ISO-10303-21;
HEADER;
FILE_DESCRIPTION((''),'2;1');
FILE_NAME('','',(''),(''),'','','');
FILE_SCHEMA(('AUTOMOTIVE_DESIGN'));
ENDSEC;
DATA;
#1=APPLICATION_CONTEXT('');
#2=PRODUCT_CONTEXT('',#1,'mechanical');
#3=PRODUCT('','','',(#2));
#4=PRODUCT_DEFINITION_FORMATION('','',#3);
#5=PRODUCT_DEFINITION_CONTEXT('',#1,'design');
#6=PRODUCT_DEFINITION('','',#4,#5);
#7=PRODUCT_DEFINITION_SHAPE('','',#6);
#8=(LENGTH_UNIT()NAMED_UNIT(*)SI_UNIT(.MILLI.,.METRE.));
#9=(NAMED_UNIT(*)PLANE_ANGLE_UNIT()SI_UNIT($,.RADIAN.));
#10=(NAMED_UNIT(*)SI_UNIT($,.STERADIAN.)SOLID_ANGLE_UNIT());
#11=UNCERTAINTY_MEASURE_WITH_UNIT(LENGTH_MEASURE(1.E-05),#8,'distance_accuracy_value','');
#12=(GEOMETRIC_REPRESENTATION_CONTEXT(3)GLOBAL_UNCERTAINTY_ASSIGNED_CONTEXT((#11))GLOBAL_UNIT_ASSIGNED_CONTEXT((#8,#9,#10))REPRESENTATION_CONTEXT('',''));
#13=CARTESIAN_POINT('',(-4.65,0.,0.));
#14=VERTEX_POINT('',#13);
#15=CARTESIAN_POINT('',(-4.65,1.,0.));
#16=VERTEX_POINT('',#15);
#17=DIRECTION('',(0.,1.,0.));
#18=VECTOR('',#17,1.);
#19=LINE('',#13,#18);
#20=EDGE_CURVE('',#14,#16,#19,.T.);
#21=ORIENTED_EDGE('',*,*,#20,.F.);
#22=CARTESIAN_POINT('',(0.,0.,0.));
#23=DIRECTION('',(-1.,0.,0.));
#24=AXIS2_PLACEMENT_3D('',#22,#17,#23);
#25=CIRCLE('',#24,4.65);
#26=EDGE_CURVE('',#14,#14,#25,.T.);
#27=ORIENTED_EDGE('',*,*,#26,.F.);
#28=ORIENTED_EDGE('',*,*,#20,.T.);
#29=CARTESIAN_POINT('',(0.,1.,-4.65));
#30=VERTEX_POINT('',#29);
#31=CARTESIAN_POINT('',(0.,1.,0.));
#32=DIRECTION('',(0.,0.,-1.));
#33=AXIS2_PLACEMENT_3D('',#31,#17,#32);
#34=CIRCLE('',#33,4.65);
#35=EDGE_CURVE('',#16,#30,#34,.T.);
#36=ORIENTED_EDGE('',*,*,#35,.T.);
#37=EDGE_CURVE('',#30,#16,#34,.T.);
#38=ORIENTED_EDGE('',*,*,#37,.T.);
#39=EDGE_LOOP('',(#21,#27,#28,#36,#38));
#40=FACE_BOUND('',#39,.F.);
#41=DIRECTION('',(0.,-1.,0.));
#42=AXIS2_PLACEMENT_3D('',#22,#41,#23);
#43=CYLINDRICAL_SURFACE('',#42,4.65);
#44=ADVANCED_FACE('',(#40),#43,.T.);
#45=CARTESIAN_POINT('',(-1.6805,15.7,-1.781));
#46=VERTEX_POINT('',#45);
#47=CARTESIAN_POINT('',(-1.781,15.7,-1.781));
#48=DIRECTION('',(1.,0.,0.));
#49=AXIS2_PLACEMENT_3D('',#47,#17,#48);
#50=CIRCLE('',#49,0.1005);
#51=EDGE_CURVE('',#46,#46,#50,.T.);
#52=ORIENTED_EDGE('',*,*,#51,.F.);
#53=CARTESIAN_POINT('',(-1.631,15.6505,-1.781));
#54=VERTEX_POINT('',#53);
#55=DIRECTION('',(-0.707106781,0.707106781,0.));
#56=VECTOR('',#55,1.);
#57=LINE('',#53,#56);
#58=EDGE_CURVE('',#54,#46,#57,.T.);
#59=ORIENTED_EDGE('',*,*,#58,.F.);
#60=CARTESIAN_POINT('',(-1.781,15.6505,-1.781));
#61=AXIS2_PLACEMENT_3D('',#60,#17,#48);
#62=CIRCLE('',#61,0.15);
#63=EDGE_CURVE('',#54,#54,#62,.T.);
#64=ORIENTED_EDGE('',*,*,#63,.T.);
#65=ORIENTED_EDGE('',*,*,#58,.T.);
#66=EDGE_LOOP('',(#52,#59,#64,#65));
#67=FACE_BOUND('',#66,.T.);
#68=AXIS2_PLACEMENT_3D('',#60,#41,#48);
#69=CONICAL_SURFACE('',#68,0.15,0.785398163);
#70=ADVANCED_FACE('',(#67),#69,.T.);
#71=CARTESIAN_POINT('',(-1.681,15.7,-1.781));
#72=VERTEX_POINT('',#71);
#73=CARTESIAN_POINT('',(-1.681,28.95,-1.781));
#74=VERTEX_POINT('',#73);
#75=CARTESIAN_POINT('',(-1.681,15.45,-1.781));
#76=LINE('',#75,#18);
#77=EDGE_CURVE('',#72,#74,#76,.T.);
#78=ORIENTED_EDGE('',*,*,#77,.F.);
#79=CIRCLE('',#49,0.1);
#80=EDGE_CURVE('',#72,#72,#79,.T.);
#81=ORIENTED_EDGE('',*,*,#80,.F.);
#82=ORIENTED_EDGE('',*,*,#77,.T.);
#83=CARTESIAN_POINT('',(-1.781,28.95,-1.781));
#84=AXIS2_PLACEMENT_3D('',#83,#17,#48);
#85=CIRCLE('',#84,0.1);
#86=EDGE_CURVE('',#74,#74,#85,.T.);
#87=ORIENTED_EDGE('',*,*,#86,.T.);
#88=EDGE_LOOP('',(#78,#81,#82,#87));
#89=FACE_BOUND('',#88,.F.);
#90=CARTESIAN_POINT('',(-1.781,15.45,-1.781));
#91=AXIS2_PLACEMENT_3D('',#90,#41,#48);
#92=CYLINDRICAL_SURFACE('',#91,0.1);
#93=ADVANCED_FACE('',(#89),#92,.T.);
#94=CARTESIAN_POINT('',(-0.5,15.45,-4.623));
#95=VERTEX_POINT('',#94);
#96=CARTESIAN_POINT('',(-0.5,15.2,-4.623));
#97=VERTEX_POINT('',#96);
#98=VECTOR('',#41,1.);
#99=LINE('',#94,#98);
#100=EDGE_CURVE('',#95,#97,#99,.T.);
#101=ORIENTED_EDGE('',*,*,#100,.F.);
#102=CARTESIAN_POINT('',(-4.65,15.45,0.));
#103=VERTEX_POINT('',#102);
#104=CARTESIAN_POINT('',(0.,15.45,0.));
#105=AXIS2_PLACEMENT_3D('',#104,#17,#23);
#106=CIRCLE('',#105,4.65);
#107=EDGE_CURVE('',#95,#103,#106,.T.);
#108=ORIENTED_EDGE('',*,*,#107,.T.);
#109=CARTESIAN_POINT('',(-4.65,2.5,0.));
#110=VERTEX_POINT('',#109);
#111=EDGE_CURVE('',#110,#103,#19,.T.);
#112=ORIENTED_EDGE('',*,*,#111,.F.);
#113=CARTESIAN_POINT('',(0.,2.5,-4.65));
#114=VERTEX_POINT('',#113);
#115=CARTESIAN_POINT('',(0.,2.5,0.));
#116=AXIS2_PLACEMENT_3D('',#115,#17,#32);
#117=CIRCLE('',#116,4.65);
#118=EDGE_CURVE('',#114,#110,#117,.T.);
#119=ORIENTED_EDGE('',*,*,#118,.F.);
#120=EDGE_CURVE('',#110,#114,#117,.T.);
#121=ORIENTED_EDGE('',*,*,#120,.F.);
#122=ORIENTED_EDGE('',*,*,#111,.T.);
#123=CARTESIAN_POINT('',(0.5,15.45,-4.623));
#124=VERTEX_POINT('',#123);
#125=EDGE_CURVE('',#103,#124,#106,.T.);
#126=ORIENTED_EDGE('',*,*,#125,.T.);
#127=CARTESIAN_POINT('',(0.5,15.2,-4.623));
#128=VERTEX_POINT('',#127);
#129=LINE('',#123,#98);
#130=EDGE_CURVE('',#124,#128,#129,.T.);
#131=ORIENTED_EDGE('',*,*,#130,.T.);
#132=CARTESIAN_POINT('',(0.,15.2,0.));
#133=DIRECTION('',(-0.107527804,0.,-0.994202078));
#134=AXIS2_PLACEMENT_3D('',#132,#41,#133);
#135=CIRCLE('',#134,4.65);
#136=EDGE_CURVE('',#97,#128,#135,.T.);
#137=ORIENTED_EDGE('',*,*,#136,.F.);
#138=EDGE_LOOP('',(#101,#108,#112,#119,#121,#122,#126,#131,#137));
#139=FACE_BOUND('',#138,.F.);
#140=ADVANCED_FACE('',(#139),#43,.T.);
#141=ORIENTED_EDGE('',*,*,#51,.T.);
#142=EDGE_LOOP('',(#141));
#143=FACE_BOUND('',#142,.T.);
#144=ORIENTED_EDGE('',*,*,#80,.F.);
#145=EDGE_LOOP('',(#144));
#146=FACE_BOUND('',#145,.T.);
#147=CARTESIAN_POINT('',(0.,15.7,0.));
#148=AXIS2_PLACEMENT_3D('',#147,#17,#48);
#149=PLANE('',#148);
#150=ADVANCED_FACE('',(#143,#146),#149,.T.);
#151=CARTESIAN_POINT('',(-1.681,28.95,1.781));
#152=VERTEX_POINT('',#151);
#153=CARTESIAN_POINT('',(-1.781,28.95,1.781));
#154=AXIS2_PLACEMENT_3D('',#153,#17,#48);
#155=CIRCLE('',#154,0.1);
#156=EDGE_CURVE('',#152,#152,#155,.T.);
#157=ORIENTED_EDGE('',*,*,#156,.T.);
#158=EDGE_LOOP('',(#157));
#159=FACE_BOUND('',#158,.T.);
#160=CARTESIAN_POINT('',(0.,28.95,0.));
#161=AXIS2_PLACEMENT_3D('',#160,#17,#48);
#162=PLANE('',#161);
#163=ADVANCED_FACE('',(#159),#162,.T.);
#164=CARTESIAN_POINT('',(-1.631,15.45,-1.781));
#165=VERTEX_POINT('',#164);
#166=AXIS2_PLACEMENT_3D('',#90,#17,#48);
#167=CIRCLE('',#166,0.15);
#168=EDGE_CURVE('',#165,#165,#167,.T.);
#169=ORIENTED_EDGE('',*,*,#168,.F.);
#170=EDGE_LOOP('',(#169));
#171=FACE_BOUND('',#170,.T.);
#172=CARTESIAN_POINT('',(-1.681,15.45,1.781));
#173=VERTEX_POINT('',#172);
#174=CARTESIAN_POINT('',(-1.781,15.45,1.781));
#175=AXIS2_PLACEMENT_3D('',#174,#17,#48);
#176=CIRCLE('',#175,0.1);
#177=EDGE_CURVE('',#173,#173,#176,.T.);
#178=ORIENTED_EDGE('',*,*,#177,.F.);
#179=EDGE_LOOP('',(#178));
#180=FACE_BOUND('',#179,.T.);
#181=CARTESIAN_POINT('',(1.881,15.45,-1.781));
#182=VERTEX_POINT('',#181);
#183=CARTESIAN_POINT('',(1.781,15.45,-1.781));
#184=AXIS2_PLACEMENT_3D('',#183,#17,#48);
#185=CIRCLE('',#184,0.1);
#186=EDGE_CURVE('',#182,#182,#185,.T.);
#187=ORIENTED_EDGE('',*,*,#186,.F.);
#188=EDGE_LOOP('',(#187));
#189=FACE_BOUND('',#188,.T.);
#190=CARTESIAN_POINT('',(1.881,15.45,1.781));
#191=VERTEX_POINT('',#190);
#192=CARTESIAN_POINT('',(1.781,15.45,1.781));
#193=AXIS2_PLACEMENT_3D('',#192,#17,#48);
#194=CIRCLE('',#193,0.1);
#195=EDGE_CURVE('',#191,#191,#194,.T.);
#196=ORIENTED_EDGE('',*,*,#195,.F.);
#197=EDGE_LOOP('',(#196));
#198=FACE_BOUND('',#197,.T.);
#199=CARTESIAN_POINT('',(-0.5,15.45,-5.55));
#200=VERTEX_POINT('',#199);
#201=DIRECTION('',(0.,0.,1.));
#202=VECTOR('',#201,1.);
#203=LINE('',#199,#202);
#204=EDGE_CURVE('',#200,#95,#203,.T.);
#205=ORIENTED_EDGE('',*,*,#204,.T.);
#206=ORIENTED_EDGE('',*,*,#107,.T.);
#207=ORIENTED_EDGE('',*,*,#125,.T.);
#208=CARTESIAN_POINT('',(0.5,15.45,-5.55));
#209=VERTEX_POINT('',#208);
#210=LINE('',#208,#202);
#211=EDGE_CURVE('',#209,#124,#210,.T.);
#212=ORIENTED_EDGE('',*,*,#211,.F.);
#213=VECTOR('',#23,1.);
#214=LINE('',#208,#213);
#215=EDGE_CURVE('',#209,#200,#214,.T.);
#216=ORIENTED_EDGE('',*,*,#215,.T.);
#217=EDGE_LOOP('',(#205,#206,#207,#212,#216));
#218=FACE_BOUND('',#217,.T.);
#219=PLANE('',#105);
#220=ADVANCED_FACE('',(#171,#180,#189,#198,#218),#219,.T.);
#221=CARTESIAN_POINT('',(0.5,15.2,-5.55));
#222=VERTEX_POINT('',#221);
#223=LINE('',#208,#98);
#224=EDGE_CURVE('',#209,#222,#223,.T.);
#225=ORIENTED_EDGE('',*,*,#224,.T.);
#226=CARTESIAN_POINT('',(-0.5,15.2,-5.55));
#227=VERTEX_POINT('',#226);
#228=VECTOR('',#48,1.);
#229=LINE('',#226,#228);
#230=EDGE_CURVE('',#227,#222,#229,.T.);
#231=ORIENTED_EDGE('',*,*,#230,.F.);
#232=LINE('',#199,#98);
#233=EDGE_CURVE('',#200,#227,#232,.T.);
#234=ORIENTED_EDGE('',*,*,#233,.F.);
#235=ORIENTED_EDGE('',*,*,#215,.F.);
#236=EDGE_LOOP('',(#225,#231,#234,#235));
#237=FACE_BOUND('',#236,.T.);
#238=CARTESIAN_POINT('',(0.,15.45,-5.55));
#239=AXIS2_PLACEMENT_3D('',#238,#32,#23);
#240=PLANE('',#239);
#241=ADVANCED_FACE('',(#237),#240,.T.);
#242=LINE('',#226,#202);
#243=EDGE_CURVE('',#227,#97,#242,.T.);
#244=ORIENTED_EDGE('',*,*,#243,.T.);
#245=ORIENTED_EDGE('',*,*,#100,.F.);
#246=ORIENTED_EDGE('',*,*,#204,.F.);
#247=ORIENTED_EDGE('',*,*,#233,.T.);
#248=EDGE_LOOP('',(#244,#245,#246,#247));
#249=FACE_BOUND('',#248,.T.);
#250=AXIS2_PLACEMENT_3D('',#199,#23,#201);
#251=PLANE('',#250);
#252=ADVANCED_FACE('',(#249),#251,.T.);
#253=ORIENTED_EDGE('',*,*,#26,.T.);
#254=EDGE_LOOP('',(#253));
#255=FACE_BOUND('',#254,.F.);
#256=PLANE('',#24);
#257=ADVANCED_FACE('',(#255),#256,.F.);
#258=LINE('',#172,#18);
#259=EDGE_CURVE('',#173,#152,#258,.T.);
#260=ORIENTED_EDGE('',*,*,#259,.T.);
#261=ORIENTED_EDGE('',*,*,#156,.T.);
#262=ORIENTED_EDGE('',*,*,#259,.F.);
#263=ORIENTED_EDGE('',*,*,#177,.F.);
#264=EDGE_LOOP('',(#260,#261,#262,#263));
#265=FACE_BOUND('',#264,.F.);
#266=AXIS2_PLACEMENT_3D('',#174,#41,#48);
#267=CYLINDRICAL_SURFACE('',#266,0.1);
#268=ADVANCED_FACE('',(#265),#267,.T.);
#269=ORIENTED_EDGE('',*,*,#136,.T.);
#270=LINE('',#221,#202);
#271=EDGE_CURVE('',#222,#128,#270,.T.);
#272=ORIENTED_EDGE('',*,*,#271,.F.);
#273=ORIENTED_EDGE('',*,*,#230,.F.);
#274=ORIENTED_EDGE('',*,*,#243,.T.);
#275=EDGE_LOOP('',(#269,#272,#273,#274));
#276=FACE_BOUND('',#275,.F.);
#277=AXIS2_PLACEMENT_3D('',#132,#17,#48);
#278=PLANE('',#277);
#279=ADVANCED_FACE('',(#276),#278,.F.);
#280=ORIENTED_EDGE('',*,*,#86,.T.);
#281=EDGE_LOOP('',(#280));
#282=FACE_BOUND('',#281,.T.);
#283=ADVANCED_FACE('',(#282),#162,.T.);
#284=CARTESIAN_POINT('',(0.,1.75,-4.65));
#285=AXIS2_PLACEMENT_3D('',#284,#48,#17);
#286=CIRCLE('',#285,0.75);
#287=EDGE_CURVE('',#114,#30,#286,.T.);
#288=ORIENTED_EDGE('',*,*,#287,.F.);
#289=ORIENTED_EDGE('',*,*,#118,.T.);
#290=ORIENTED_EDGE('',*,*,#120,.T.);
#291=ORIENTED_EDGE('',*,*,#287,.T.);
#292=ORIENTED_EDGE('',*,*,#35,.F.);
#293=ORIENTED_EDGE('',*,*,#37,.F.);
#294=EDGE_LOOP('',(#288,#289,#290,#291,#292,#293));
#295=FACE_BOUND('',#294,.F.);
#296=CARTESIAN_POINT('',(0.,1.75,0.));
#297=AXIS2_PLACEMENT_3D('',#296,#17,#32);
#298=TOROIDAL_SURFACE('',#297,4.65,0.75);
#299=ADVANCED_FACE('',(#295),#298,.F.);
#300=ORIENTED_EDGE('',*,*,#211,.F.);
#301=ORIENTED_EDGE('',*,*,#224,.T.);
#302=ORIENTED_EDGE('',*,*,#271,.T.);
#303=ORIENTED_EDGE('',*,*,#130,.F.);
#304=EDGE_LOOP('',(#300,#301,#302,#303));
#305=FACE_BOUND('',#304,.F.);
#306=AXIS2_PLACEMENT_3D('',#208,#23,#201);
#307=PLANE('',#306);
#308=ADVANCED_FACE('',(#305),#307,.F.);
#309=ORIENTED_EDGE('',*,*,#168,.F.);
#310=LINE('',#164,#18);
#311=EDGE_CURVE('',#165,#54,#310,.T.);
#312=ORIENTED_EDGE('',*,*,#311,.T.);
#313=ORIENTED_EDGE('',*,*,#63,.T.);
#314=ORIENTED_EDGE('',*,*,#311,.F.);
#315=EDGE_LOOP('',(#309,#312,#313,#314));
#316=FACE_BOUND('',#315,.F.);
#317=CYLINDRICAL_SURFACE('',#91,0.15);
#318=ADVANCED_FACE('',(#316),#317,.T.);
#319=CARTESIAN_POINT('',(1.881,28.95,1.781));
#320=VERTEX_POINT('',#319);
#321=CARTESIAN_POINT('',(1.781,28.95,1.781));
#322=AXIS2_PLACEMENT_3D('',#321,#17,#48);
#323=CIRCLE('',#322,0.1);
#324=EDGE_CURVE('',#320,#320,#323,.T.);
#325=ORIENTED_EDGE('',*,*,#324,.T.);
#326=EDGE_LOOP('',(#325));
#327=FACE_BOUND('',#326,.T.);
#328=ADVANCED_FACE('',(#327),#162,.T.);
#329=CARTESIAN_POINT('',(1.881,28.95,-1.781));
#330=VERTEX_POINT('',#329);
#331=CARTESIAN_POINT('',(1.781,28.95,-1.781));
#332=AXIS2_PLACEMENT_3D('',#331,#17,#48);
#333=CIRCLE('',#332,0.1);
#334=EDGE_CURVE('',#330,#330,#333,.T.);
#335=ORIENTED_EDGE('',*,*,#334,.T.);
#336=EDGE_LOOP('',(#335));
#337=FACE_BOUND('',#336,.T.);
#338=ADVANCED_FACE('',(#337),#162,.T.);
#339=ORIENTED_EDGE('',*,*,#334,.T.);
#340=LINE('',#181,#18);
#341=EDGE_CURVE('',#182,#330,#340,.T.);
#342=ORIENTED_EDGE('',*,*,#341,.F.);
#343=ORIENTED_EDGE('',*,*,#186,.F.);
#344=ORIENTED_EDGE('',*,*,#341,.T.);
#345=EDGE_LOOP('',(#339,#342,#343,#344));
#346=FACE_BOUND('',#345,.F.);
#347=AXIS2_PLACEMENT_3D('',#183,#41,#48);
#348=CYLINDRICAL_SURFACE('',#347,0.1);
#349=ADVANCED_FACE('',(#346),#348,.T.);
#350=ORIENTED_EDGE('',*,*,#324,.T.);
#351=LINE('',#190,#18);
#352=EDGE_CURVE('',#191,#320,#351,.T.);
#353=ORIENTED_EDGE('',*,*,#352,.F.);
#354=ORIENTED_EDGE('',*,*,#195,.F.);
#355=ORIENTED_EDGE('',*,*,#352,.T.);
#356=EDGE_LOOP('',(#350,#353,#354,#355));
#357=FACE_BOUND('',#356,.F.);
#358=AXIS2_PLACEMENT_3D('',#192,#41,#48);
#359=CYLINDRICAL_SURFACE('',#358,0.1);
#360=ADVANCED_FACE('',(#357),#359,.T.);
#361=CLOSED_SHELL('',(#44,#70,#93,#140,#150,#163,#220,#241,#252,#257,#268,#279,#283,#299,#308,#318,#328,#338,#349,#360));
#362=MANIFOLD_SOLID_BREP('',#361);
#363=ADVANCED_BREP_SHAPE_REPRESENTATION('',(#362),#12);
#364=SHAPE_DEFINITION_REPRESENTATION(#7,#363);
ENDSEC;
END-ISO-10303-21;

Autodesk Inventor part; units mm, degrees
ref_plane "YZ Plane" through (0, 0, 0) normal (1, 0, 0) x (0, 1, 0)
ref_plane "XZ Plane" through (0, 0, 0) normal (0, 1, 0) x (-1, 0, 0)
ref_plane "XY Plane" through (0, 0, 0) normal (0, 0, 1) x (1, 0, 0)
sketch "Sketch1" plane through (0, 0, 0) normal (0, 1, 0) x (-1, 0, 0)
  circle A0 centre (0, 0) radius 4.65
  dimension "d0" = 9.3
extrude "Extrusion1" add sketch "Sketch1" along normal blind 15.45
sketch "Sketch2" plane through (0, 0, 0) normal (1, 0, 0) x (0, 1, 0)
  line L0 (15.45, -4.65) -> (15.45, 4.65) projected
  line L1 (0, -4.65) -> (0, 4.65) projected
  line L2 (0, -4.65) -> (15.45, -4.65) projected
  line L3 (0, 4.65) -> (15.45, 4.65) projected
  line L4 (0, -4.65) -> (1, -4.65)
  arc A0 (2.5, -4.65) -> (1, -4.65) centre (1.75, -4.65) ccw
  line L5 (2.5, -4.65) -> (1, -4.65)
  line L6 (-3.09, 0) -> (18.54, 0) projected
  point P0 (0, 0)
  dimension "d3" = 1
  dimension "d4" = 1.5
  dimension "d5" = 0.75
revolve "Revolution1" cut sketch "Sketch2" angle 360 about axis through (0, -10, 0) along (0, 1, 0) contours L2 A0
sketch "Sketch3" plane through (0, 15.45, 0) normal (0, 1, 0) x (1, 0, 0)
  circle A0 centre (0, 0) radius 4.65 projected
  line L0 (0, 0) -> (0, 4.65)
  line L1 (0, 5.55) -> (0.5, 5.55)
  line L2 (0, 5.55) -> (-0.5, 5.55)
  line L3 (-0.5, 5.55) -> (-0.5, 4.623)
  line L4 (0.5, 5.55) -> (0.5, 4.623)
  circle A1 centre (0, 0) radius 4.65 projected
  dimension "d7" = 0.9
  dimension "d8" = 0.5
  dimension "d9" = 0.5
extrude "Extrusion2" add sketch "Sketch3" against normal blind 0.25 contours A0 L3 L2 L1 L4
sketch "Sketch5" plane through (0, 15.45, 0) normal (0, 1, 0) x (1, 0, 0)
  arc A0 (-0.5, 4.623) -> (0.5, 4.623) centre (0, 0) ccw projected
  line L0 (0.5, 4.623) -> (0.5, 5.55) projected
  line L1 (0.5, 5.55) -> (-0.5, 5.55) projected
  line L2 (-0.5, 5.55) -> (-0.5, 4.623) projected
  line L3 (0, 0) -> (4.65, 0) construction
  line L4 (0, 0) -> (1.7961, 1.7961) construction
  circle A1 centre (1.781, 1.781) radius 0.1
  line L5 (1.781, 1.781) -> (1.781, 0) construction
  circle A2 centre (1.781, -1.781) radius 0.1
  line L6 (0, 0) -> (0, 5.55) construction
  circle A3 centre (-1.781, 1.781) radius 0.1
  circle A4 centre (-1.781, -1.781) radius 0.1
  circle A5 centre (-1.781, 1.781) radius 0.15
  dimension "d14" = 2.54
  dimension "d15" = 45
  dimension "d16" = 0.2
  dimension "d17" = 1.781
  dimension "d20" = 3.562
  dimension "d27" = 0.05
extrude "Extrusion3" add sketch "Sketch5" along normal blind 13.5 contours A1 | A2 | A3 | A4
extrude "Extrusion4" add sketch "Sketch5" along normal blind 0.25 contours A5
chamfer "Chamfer1" distance 0.05 angle 45 1 edges at (-1.931, 15.7, -1.781)
properties part number "IR Sensor"
